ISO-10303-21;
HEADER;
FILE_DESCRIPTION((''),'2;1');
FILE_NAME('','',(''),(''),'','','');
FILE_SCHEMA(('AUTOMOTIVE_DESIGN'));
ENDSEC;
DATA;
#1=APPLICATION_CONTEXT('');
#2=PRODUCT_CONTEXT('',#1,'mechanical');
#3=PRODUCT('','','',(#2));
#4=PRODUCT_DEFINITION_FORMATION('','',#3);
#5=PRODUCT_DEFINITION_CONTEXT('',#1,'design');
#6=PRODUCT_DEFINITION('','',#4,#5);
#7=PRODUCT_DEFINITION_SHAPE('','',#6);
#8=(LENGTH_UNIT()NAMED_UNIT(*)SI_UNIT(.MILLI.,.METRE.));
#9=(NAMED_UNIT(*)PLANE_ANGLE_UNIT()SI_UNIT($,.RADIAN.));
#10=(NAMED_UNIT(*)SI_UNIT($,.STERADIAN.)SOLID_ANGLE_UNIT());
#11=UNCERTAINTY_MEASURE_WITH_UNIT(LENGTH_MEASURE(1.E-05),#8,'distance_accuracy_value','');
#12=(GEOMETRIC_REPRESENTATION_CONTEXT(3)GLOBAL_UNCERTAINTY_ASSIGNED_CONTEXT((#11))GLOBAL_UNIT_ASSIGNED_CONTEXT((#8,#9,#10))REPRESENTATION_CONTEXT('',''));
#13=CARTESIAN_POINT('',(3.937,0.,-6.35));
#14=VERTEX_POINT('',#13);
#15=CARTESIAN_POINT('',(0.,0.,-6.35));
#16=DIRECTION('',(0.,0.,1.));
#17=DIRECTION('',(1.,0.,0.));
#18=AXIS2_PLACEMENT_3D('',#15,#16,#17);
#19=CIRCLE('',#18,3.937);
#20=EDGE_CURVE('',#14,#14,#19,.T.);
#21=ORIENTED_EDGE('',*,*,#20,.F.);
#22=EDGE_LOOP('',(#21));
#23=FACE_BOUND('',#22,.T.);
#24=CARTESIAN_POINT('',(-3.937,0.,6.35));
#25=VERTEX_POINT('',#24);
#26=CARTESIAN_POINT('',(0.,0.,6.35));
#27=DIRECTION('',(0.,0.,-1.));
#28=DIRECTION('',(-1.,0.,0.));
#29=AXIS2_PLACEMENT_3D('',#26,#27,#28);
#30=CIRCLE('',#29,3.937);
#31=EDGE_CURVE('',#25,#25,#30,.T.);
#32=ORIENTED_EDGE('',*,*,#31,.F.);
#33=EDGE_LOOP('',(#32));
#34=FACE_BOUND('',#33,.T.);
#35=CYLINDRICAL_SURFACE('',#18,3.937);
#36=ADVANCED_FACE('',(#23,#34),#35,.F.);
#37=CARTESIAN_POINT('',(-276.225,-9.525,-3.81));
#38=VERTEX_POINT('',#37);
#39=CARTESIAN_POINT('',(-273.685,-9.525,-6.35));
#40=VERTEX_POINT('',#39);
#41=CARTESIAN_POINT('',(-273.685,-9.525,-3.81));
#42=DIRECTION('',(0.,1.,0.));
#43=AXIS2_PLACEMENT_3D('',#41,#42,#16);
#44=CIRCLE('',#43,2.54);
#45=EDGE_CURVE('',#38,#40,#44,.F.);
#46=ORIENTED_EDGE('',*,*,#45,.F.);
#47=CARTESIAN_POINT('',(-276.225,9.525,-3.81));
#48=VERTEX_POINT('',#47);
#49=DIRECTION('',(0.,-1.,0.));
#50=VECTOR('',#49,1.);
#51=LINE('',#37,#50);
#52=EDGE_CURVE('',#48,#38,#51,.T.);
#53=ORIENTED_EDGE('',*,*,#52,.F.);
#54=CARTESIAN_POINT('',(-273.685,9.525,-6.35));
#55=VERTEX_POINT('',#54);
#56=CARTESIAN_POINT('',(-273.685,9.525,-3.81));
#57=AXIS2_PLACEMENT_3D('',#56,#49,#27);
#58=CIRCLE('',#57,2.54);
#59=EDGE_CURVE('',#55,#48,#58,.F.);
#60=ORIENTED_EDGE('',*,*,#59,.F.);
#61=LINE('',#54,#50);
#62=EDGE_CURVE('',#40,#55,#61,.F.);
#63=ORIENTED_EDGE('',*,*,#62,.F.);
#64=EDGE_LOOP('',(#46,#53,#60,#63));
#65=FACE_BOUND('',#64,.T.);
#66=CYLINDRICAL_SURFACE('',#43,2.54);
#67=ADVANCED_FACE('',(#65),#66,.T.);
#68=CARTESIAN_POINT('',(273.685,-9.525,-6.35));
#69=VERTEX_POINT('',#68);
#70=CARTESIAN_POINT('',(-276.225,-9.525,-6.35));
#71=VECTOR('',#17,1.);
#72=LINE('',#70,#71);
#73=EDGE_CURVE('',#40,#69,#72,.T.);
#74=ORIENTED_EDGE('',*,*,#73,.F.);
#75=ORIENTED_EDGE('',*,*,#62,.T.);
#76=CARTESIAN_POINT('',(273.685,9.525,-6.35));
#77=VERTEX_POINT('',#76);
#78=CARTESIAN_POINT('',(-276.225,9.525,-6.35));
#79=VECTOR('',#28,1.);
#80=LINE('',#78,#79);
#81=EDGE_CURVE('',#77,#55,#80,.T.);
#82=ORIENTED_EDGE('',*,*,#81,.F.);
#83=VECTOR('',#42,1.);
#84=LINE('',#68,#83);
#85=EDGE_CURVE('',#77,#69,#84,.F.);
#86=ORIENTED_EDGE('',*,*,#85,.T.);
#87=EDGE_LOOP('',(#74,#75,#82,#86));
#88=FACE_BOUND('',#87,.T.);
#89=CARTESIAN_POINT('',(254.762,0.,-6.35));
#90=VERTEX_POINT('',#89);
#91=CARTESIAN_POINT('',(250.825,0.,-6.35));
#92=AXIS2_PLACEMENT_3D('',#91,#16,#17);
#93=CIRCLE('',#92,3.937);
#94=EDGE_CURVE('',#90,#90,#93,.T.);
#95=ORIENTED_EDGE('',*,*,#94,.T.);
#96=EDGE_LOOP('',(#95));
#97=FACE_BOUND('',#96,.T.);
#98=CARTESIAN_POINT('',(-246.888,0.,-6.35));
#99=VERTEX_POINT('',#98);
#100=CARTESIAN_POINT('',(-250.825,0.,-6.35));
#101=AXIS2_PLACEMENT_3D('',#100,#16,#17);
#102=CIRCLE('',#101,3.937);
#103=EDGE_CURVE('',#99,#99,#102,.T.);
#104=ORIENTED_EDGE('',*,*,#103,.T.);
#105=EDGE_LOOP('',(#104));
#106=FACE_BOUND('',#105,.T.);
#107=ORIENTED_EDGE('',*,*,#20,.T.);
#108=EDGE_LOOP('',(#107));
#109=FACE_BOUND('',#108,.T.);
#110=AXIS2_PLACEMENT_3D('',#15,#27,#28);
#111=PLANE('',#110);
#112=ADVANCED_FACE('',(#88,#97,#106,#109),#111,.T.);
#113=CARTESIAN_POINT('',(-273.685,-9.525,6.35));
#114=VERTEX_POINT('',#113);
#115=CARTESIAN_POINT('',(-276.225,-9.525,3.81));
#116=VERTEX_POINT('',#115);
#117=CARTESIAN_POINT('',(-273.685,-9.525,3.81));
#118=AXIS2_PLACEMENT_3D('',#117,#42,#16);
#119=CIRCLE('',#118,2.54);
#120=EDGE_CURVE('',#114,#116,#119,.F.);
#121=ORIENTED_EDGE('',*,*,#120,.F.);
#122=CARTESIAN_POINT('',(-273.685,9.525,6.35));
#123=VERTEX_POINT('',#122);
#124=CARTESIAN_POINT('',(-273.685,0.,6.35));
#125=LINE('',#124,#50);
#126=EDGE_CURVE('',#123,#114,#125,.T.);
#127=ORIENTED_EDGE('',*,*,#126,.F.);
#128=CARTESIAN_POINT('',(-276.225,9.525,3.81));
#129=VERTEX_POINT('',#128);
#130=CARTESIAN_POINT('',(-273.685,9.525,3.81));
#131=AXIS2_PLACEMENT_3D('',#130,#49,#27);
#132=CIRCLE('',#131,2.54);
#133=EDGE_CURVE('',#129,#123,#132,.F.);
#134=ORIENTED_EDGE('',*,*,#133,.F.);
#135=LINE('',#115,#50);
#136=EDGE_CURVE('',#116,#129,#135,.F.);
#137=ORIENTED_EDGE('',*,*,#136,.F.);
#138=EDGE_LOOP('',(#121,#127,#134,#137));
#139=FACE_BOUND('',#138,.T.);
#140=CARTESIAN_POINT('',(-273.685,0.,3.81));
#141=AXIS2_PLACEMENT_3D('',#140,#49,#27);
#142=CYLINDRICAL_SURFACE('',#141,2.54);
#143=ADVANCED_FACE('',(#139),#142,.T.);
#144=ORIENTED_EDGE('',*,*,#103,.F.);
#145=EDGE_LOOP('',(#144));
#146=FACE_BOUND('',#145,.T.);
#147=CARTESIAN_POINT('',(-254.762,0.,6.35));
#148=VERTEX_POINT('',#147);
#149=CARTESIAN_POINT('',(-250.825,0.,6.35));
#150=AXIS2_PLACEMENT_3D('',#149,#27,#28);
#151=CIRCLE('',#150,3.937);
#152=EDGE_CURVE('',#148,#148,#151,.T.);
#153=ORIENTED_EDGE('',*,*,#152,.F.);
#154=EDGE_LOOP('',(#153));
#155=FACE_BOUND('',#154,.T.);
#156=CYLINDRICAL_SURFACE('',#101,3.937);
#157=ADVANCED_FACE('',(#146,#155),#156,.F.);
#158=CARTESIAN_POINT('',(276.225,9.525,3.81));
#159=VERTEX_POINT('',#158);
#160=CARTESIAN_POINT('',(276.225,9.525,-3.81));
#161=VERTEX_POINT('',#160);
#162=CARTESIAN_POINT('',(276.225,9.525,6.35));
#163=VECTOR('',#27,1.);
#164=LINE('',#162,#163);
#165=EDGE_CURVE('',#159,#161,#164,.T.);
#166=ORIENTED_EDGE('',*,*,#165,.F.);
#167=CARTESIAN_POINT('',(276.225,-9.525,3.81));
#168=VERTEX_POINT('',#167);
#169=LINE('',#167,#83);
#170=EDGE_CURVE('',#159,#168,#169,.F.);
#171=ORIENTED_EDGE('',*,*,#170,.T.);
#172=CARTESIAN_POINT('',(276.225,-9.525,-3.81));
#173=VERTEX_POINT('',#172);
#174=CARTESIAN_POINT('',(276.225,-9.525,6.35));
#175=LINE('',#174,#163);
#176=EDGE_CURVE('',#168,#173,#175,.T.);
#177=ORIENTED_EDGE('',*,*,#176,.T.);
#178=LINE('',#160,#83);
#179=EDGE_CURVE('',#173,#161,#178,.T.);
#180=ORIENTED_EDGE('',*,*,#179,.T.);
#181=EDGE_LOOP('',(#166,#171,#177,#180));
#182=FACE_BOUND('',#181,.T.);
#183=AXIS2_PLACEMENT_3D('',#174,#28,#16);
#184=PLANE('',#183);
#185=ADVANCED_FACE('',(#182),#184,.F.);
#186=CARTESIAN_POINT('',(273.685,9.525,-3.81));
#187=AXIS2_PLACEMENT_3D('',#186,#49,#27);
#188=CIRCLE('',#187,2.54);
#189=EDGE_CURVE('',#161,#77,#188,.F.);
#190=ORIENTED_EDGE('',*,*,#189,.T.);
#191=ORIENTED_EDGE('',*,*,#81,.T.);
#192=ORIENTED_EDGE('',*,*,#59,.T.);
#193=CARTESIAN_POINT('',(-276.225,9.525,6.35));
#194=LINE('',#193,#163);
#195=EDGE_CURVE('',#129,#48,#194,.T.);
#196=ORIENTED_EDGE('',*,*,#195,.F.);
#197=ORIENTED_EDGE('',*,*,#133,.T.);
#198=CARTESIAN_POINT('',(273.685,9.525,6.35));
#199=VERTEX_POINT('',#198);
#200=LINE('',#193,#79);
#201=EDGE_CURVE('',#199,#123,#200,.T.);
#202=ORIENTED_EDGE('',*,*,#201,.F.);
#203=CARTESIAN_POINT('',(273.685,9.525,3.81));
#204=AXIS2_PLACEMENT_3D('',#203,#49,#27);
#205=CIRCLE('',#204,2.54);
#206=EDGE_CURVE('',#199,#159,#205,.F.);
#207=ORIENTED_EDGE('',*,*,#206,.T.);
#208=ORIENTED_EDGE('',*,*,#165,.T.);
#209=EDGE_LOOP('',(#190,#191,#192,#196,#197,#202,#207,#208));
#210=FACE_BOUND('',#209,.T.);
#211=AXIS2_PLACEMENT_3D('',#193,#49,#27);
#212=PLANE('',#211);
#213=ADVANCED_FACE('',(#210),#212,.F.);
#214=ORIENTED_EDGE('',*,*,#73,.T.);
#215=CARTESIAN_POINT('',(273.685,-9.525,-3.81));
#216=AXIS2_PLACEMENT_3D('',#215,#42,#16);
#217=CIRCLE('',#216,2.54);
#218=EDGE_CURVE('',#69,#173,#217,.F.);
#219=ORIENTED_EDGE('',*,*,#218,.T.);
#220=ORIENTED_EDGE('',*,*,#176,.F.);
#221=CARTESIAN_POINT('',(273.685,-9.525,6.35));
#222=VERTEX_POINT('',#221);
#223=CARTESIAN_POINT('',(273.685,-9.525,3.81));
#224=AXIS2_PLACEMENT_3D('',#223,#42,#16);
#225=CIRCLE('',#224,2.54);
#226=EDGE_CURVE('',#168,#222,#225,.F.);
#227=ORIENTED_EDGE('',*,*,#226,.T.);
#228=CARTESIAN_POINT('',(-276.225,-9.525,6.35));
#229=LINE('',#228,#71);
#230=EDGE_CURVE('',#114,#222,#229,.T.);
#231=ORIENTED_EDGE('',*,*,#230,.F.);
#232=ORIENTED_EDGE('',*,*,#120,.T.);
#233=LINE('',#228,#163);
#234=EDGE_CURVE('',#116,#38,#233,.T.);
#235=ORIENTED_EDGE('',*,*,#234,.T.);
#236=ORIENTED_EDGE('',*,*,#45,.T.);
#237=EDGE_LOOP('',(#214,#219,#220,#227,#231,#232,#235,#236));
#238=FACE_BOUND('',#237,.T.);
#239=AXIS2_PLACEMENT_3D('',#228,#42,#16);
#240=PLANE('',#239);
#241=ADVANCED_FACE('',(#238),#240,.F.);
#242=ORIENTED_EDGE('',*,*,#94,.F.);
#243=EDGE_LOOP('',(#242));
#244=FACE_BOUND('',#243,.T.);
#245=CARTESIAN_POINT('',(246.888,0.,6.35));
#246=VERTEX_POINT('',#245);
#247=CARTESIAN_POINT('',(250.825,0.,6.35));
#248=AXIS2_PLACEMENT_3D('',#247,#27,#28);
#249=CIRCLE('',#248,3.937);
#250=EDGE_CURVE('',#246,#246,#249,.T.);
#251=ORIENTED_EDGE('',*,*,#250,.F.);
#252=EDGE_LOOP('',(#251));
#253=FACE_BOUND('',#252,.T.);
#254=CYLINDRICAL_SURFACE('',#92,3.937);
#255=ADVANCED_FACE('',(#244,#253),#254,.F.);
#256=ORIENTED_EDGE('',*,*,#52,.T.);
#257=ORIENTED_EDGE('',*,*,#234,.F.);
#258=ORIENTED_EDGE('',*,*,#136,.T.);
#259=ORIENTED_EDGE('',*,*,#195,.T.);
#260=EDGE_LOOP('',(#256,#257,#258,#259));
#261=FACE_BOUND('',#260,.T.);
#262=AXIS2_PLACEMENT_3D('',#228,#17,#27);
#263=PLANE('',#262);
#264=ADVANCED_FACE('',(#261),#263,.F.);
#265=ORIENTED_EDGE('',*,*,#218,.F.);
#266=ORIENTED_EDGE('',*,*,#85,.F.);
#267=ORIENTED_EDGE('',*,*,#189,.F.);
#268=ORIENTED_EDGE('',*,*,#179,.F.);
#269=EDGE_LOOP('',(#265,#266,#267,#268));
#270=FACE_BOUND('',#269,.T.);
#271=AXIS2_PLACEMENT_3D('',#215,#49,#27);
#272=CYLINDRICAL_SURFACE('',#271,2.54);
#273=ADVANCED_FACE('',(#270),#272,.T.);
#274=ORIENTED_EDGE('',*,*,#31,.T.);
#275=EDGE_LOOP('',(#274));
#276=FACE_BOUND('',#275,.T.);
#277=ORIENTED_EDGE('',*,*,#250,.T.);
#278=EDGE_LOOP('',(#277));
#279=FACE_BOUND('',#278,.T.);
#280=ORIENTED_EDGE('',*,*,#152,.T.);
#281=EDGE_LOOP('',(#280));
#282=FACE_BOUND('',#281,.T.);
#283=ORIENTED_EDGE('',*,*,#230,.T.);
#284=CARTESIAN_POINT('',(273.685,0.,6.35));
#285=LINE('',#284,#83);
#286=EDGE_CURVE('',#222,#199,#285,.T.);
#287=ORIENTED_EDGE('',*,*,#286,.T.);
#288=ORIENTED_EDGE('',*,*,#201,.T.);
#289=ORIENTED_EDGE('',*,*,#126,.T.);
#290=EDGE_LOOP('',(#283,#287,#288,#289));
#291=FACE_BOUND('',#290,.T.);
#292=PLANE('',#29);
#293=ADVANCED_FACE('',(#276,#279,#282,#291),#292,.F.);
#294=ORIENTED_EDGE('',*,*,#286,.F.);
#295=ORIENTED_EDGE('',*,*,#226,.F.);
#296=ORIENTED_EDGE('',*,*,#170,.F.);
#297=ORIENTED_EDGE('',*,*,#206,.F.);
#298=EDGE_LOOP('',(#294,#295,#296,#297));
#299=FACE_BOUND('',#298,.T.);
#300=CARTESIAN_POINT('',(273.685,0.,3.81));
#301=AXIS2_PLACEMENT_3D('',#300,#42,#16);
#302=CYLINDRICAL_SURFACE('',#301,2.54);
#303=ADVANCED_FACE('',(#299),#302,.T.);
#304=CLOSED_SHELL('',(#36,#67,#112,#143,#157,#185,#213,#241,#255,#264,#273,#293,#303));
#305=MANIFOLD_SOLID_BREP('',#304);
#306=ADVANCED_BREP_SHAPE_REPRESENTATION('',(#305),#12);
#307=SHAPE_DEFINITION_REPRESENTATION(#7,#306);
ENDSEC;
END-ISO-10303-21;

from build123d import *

# Parameters (mm, degrees)
SKETCH1_W               = 552.45
SKETCH1_H               = 19.05
BOSS_EXTRUDE1_DEPTH     = 6.35
CUT_EXTRUDE1_DEPTH      = 277.680802099
CUT_EXTRUDE1_DEPTH_BACK = 277.680802099
SKETCH2_R               = 3.937
FILLET1_R               = 2.54


with BuildPart() as part:
    # Sketch1 → Boss-Extrude1 (new, symmetric)
    with BuildSketch(Plane.XY):
        Rectangle(SKETCH1_W, SKETCH1_H)
    extrude(amount=BOSS_EXTRUDE1_DEPTH, both=True)

    # Sketch2 → Cut-Extrude1 (cut, two sides: drawn at the far end of the back side and taken through both)
    with BuildSketch(Plane.XY.offset(6.35).offset(-CUT_EXTRUDE1_DEPTH_BACK)):
        Circle(SKETCH2_R)
        with Locations((250.825, 0)):
            Circle(SKETCH2_R)
        with Locations((-250.825, 0)):
            Circle(SKETCH2_R)
    extrude(amount=CUT_EXTRUDE1_DEPTH + CUT_EXTRUDE1_DEPTH_BACK, mode=Mode.SUBTRACT)

    # Fillet1
    fillet1_edges = [part.edges().sort_by_distance(p)[0] for p in [
        (-276.225, 0, 6.35),
        (276.225, 0, 6.35),
        (-276.225, 0, -6.35),
        (276.225, 0, -6.35),
    ]]
    fillet(fillet1_edges, radius=FILLET1_R)


solid = part.part
